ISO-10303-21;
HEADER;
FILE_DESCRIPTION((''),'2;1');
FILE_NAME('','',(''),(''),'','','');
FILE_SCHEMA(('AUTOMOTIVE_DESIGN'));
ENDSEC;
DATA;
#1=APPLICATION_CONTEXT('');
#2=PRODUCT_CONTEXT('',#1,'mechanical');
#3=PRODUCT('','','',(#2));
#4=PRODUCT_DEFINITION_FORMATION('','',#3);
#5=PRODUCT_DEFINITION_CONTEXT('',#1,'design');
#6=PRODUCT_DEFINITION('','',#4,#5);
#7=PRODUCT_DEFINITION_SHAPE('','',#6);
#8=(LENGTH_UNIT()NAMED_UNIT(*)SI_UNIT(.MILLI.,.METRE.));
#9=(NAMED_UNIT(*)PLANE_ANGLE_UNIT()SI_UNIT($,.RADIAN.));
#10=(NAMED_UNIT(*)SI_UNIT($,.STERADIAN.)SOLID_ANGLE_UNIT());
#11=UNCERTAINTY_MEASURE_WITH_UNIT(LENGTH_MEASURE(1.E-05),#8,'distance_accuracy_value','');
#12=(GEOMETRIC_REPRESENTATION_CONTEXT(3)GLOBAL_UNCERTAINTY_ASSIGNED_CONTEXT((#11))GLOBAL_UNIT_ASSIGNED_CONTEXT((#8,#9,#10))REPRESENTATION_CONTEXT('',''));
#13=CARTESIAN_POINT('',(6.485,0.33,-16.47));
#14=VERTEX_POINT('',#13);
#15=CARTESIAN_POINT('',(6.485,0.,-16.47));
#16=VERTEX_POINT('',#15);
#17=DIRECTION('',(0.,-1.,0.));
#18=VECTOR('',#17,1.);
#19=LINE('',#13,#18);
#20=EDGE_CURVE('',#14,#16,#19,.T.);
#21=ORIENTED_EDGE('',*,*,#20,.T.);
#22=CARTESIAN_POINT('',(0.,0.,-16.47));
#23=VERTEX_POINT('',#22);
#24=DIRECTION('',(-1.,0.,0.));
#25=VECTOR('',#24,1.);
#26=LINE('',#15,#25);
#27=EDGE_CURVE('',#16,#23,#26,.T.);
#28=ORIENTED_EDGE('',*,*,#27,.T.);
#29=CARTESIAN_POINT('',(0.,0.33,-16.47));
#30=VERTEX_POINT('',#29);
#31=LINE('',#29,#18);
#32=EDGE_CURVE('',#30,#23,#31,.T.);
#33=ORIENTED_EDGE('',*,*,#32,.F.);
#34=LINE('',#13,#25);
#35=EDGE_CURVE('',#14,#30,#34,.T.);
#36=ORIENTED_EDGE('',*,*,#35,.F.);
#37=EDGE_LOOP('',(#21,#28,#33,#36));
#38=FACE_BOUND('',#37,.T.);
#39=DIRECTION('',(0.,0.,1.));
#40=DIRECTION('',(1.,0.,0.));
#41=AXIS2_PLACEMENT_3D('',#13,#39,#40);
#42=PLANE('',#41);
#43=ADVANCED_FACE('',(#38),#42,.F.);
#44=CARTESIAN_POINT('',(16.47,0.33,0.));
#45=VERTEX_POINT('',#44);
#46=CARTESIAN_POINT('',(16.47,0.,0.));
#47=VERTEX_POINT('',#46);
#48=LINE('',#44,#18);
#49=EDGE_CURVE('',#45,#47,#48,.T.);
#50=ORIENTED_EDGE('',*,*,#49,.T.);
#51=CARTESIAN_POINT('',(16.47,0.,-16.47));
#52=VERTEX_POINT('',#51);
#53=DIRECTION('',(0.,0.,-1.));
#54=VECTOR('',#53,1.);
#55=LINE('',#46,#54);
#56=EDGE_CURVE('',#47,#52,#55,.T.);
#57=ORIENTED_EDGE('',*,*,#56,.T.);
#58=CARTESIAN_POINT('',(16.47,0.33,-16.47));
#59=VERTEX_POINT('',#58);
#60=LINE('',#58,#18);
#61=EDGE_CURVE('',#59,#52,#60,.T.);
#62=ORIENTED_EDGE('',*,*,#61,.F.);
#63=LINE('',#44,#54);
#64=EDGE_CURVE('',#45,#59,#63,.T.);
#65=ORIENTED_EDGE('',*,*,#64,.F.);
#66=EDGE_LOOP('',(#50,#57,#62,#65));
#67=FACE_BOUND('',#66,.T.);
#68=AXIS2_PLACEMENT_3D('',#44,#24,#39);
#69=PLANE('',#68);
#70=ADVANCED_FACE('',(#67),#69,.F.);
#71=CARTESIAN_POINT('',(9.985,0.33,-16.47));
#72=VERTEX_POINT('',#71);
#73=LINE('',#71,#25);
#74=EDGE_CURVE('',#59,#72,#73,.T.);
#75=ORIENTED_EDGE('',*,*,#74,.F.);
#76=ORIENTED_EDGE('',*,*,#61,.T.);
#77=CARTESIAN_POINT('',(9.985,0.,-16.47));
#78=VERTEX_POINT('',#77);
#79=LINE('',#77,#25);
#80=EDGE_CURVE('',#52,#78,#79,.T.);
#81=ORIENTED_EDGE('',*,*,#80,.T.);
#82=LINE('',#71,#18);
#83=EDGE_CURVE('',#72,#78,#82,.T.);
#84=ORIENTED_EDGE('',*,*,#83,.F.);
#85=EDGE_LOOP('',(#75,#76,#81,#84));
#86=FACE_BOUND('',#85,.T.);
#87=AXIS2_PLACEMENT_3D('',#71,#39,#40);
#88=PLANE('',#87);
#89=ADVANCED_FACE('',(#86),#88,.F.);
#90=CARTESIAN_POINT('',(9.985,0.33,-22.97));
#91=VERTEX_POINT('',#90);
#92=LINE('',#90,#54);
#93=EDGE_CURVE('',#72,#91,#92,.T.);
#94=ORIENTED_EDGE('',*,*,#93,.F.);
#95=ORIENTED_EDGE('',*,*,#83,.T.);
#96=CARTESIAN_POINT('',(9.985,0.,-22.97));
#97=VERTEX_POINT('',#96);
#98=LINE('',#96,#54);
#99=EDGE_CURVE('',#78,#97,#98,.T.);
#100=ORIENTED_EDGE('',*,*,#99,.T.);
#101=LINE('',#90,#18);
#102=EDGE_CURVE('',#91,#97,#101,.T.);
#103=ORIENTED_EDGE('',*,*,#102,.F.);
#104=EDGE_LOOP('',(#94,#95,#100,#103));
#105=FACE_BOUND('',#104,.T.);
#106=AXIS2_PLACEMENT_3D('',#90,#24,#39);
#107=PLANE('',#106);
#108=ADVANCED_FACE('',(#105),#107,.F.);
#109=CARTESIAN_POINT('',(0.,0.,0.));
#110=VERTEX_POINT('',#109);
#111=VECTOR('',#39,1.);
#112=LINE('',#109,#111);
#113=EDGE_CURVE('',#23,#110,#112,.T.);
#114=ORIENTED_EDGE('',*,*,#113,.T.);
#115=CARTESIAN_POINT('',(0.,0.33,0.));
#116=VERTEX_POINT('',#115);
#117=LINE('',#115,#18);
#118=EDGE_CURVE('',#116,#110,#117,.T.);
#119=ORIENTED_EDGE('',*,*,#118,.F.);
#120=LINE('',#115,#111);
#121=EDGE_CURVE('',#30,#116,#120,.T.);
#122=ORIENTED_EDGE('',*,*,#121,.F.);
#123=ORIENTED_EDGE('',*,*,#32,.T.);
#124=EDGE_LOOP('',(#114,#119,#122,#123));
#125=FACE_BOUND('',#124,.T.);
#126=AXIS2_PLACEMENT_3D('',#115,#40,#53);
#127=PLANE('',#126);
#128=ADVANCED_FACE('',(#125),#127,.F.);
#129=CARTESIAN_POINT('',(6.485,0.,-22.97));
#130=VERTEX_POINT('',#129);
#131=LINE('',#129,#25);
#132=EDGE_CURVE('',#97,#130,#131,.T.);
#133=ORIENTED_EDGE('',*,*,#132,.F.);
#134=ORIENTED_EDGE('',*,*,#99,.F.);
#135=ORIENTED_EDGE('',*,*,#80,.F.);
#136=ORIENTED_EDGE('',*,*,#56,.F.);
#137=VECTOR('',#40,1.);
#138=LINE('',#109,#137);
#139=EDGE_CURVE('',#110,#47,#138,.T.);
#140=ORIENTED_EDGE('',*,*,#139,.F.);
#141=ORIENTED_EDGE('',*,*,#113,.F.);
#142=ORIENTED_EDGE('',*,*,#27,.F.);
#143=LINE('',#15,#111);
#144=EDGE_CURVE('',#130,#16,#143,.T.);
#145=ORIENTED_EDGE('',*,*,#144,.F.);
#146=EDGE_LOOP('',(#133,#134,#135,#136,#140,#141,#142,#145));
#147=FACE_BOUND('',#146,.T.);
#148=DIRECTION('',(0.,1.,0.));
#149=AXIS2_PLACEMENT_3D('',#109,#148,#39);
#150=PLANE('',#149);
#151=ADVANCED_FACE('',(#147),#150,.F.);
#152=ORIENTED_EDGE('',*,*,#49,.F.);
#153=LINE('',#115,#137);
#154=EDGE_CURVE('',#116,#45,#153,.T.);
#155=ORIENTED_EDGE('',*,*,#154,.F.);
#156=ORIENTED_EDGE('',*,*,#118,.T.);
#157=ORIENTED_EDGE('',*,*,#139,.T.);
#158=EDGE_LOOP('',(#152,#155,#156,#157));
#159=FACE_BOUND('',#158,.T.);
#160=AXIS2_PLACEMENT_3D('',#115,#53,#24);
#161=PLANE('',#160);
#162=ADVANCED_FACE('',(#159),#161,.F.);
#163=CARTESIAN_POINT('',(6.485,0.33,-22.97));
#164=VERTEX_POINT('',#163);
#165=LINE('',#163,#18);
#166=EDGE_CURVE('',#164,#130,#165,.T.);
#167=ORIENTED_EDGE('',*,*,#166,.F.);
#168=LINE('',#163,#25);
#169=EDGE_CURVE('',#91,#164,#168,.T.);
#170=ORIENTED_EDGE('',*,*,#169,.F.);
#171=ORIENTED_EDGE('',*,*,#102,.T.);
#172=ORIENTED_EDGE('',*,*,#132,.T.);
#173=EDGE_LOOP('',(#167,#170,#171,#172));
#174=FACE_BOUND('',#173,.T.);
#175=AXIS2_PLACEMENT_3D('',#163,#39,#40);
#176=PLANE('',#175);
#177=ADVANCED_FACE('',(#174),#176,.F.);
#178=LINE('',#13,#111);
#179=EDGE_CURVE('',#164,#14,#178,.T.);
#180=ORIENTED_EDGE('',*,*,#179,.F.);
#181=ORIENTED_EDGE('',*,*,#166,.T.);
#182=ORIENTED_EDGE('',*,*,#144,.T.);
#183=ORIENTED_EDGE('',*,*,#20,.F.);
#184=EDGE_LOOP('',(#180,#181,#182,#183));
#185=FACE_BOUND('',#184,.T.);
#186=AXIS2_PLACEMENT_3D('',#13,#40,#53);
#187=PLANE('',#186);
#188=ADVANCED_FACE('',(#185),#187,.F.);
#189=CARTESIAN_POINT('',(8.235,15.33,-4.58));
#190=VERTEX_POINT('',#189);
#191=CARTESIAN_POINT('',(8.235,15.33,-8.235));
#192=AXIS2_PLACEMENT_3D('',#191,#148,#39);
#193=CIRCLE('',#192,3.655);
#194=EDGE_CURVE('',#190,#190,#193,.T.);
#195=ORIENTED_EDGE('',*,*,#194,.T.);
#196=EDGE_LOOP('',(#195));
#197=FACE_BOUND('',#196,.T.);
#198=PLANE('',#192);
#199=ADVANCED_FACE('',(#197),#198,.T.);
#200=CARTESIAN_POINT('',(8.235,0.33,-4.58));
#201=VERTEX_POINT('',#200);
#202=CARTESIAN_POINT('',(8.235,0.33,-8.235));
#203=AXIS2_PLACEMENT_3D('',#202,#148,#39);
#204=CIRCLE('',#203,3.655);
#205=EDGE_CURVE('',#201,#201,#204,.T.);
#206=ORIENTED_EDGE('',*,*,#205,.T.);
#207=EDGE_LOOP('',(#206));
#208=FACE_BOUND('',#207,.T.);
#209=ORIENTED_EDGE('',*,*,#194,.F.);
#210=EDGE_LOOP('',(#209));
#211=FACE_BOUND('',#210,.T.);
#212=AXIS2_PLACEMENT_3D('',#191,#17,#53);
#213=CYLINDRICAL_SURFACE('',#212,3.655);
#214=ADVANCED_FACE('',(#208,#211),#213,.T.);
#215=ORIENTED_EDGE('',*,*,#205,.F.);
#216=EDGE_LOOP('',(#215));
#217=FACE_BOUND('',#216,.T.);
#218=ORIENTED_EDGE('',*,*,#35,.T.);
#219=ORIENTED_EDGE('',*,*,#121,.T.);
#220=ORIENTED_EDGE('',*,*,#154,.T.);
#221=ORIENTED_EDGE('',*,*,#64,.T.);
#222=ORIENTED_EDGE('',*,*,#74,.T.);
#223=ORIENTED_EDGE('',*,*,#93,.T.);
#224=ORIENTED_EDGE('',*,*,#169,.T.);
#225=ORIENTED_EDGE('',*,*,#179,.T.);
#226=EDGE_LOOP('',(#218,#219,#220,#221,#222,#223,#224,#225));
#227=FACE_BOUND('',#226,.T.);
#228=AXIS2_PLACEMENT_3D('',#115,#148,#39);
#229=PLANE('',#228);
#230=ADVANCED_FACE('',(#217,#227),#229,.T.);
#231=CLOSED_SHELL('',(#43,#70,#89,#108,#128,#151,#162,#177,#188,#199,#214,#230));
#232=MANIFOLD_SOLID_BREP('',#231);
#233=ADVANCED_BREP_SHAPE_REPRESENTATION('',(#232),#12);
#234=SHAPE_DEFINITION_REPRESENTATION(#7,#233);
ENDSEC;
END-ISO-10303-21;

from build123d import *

# Parameters (mm, degrees)
BOSS_EXTRUDE1_DEPTH = 0.33
SKETCH2_R           = 3.655
BOSS_EXTRUDE2_DEPTH = 15


with BuildPart() as part:
    # Sketch1 → Boss-Extrude1 (new body)
    with BuildSketch(Plane(origin=(0, 0, 0), x_dir=(1, 0, 0), z_dir=(0, 1, 0))):
        Polygon((0, 0), (16.47, 0), (16.47, 16.47), (9.985, 16.47), (9.985, 22.97), (6.485, 22.97), (6.485, 16.47), (0, 16.47), align=None)
    extrude(amount=BOSS_EXTRUDE1_DEPTH)

    # Sketch2 → Boss-Extrude2 (add)
    with BuildSketch(Plane(origin=(0, 0.33, 0), x_dir=(1, 0, 0), z_dir=(0, 1, 0))):
        with Locations(Location((8.235, 8.235, 0), (0, 0, 270))):
            Circle(SKETCH2_R)
    extrude(amount=BOSS_EXTRUDE2_DEPTH)


solid = part.part
